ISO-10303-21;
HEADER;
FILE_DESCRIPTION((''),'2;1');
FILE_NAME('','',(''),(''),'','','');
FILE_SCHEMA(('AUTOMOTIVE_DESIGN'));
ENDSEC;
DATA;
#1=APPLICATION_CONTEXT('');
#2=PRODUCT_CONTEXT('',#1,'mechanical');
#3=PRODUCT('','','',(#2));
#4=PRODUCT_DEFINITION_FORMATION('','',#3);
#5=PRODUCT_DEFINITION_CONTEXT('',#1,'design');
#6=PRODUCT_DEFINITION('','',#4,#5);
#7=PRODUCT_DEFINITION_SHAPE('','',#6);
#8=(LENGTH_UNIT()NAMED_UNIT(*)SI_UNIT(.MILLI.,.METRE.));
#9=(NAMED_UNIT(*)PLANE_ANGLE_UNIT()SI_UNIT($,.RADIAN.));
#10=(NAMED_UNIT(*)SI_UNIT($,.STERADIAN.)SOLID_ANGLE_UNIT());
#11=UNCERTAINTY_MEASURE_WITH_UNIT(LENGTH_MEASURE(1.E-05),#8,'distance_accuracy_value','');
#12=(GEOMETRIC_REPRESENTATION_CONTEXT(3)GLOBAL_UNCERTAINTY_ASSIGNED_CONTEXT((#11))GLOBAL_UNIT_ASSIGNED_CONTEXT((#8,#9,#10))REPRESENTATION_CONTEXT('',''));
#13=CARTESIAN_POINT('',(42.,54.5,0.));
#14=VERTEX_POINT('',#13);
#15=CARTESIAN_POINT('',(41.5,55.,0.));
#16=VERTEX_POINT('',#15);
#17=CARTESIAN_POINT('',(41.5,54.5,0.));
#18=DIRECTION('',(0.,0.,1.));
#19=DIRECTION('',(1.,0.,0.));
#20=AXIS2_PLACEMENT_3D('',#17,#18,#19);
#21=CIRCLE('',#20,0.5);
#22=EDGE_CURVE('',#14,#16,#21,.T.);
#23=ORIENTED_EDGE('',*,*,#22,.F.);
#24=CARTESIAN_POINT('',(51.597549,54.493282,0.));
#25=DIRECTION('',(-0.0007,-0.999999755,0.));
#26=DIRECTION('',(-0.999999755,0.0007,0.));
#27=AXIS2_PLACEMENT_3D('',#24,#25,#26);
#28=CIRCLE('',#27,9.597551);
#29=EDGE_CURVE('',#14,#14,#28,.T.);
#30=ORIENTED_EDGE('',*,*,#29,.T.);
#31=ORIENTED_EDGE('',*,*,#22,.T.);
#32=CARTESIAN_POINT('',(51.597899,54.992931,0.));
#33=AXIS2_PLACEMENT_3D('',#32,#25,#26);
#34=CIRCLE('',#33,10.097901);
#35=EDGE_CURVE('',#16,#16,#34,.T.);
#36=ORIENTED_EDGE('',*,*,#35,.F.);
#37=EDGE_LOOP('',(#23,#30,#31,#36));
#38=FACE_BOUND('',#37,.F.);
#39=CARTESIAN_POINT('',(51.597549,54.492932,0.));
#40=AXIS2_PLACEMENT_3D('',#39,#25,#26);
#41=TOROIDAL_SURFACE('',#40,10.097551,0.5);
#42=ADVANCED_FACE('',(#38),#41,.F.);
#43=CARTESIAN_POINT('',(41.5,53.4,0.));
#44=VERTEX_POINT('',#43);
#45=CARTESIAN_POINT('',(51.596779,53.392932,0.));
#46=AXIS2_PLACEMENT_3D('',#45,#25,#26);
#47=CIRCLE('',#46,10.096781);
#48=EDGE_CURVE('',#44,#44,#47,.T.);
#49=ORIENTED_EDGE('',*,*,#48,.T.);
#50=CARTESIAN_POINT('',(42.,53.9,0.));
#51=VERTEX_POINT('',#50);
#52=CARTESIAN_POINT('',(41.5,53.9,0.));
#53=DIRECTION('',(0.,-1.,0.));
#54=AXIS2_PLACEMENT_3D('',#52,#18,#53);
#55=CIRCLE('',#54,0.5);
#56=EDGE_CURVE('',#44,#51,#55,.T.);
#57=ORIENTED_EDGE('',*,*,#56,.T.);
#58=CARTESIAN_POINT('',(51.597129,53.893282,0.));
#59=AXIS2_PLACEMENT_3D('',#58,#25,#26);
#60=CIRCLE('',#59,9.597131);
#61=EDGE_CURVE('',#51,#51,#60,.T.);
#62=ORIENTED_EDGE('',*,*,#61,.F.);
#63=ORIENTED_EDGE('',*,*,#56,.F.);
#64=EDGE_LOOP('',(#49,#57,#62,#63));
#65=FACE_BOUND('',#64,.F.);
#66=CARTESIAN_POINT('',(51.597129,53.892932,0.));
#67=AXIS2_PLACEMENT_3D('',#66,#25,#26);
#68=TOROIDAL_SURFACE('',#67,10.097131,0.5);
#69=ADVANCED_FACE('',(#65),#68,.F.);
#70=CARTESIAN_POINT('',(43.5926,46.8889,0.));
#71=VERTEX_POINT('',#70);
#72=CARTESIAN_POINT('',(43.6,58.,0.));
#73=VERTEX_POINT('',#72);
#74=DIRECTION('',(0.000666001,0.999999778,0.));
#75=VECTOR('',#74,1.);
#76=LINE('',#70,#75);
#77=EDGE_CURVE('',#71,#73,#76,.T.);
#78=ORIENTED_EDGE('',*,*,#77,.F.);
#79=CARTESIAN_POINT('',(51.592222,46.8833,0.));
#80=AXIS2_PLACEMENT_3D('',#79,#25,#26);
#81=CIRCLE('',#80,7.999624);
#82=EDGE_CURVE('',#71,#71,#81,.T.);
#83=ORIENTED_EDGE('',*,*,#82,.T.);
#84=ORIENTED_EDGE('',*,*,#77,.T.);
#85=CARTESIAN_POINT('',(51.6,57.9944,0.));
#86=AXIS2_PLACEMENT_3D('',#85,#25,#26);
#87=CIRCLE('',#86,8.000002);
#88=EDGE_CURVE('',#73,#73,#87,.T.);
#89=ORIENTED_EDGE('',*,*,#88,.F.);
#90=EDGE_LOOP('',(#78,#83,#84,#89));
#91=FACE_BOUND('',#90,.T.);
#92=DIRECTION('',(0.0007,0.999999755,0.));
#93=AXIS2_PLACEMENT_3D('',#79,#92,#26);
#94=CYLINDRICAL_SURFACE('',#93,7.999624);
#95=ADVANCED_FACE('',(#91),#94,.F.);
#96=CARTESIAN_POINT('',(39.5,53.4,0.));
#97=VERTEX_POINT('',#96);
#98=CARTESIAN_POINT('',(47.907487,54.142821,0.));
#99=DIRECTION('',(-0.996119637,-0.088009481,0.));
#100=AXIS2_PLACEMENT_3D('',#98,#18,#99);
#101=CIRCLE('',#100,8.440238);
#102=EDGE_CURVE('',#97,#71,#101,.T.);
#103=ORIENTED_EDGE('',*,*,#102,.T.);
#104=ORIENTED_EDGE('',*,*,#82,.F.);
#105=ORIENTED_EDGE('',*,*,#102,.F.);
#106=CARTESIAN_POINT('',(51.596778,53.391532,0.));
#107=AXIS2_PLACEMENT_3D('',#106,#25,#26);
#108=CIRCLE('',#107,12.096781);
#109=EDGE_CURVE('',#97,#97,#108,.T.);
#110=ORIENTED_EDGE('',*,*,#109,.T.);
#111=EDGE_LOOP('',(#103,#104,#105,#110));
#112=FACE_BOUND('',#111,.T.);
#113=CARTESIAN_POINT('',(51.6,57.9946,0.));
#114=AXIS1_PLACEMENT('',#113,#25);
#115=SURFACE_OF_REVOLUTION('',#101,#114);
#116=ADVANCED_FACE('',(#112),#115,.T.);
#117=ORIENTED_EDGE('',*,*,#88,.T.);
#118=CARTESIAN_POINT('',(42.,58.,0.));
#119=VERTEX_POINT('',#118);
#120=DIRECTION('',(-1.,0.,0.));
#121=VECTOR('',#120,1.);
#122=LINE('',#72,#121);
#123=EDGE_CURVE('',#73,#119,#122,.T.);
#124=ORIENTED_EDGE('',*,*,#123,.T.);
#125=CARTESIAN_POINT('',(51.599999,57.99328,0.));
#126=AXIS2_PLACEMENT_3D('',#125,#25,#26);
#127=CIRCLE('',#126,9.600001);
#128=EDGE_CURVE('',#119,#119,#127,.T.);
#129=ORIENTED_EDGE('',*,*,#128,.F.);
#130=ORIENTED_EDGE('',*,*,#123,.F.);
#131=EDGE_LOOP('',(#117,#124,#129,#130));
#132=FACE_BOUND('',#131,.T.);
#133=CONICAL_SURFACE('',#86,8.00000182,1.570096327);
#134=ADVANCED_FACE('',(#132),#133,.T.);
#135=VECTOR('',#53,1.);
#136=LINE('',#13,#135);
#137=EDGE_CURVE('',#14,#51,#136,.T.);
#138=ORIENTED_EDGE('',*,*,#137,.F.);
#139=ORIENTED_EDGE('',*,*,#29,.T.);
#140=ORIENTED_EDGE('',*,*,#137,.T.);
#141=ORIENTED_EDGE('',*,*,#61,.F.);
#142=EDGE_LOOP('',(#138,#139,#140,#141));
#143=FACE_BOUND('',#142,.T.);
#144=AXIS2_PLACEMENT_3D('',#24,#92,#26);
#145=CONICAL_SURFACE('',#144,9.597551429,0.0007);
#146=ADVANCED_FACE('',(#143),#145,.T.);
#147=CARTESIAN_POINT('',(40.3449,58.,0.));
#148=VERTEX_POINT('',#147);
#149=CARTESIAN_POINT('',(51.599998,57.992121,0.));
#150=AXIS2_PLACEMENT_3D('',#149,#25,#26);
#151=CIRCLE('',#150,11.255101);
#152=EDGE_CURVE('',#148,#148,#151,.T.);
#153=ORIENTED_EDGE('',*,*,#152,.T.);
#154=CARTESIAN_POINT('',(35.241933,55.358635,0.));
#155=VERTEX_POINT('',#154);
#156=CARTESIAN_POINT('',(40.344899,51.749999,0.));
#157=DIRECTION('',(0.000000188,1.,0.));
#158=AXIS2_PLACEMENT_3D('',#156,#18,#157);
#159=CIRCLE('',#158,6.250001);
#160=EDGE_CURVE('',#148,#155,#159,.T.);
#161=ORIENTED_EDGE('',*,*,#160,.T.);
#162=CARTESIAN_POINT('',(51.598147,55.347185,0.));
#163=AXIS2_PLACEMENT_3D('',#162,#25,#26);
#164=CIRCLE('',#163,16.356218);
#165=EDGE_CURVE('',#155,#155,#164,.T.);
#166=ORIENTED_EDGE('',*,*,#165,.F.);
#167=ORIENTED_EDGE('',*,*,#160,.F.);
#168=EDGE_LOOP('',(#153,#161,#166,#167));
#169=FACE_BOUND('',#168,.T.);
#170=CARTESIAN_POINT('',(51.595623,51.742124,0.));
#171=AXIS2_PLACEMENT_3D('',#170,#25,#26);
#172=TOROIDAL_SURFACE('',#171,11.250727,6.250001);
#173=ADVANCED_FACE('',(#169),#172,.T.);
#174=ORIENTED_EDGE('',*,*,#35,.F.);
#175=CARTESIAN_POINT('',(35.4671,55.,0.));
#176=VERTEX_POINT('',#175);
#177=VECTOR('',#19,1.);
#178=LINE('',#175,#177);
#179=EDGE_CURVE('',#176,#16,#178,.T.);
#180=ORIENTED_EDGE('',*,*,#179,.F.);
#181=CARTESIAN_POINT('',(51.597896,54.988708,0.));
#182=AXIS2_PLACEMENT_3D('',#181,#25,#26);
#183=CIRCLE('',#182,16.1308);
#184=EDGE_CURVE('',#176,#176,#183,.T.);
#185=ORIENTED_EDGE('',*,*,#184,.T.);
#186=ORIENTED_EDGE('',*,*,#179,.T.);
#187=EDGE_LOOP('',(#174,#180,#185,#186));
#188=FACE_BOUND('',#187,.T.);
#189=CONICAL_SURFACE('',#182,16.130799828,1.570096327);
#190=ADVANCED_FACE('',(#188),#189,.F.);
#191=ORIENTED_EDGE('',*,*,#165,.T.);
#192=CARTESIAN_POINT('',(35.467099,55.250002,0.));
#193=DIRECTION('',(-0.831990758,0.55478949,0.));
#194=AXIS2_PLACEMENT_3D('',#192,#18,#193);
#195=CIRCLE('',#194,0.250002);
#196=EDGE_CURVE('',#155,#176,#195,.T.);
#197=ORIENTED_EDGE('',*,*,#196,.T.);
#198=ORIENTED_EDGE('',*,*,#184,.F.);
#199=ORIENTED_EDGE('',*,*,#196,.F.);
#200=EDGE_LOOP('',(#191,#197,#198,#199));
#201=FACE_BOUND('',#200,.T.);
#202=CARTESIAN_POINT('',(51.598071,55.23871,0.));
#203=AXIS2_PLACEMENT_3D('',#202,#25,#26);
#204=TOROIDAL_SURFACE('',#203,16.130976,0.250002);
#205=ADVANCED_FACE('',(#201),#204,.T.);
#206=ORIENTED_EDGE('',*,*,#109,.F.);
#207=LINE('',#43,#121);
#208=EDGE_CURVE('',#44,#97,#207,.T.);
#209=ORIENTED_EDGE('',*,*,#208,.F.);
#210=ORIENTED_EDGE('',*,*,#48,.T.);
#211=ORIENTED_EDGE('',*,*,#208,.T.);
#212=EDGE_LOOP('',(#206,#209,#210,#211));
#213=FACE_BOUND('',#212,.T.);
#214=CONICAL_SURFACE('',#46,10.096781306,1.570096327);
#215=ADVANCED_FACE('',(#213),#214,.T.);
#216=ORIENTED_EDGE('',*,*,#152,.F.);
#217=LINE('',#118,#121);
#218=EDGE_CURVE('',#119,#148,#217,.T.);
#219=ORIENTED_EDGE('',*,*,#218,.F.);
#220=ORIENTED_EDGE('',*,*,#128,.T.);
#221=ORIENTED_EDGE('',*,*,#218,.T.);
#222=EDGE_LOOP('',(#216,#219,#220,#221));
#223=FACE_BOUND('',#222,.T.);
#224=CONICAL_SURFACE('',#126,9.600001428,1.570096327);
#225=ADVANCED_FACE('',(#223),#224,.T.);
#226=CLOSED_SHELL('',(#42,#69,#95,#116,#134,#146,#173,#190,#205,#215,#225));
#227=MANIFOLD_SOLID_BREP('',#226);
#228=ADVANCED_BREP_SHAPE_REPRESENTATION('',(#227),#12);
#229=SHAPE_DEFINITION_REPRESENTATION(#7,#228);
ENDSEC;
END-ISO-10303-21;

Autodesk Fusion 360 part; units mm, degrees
sketch "Sketch2" plane through (0, 0, 0) normal (0, 0, 1) x (1, 0, 0)
  line L0 (43.6, 58) -> (42, 58)
  line L1 (42, 58) -> (40.3449, 58)
  line L2 (35.1446, 55.2169) -> (35.2591, 55.3887)
  line L3 (35.4671, 55) -> (41.5, 55)
  line L4 (42, 54.5) -> (42, 53.9)
  line L5 (41.5, 53.4) -> (39.5, 53.4)
  line L6 (43.5926, 46.8889) -> (43.6, 58)
  arc A0 (39.5, 53.4) -> (43.5926, 46.8889) centre (47.9075, 54.1428) ccw
  arc A1 (42, 54.5) -> (41.5, 55) centre (41.5, 54.5) ccw
  arc A2 (41.5, 53.4) -> (42, 53.9) centre (41.5, 53.9) ccw
  arc A3 (40.3449, 58) -> (35.1446, 55.2169) centre (40.3449, 51.75) ccw
  arc A4 (35.2591, 55.3887) -> (35.4671, 55) centre (35.4671, 55.25) ccw
  line L7 (43.6, 58) -> (51.6, 57.9946)
  line L8 (51.6, 57.9946) -> (51.5972, 53.7744)
  point P0 (37, 58)
  dimension "d9" = 1.6
  dimension "d10" = 5
  dimension "d12" = 3
  dimension "d13" = 1.6
  dimension "d15" = 5
  dimension "d18" = 0.5
  dimension "d19" = 0.5
  dimension "d20" = 6.25
  dimension "d21" = 0.25
  dimension "d22" = 8
revolve "Revolve1" add sketch "Sketch2" angle 360 about axis through (51.6, 57.9946, 0) along (-0.0007, -1, 0) contours L0 L1 L3 L4 L5 L6 A0 A1 A2 A3 A4
